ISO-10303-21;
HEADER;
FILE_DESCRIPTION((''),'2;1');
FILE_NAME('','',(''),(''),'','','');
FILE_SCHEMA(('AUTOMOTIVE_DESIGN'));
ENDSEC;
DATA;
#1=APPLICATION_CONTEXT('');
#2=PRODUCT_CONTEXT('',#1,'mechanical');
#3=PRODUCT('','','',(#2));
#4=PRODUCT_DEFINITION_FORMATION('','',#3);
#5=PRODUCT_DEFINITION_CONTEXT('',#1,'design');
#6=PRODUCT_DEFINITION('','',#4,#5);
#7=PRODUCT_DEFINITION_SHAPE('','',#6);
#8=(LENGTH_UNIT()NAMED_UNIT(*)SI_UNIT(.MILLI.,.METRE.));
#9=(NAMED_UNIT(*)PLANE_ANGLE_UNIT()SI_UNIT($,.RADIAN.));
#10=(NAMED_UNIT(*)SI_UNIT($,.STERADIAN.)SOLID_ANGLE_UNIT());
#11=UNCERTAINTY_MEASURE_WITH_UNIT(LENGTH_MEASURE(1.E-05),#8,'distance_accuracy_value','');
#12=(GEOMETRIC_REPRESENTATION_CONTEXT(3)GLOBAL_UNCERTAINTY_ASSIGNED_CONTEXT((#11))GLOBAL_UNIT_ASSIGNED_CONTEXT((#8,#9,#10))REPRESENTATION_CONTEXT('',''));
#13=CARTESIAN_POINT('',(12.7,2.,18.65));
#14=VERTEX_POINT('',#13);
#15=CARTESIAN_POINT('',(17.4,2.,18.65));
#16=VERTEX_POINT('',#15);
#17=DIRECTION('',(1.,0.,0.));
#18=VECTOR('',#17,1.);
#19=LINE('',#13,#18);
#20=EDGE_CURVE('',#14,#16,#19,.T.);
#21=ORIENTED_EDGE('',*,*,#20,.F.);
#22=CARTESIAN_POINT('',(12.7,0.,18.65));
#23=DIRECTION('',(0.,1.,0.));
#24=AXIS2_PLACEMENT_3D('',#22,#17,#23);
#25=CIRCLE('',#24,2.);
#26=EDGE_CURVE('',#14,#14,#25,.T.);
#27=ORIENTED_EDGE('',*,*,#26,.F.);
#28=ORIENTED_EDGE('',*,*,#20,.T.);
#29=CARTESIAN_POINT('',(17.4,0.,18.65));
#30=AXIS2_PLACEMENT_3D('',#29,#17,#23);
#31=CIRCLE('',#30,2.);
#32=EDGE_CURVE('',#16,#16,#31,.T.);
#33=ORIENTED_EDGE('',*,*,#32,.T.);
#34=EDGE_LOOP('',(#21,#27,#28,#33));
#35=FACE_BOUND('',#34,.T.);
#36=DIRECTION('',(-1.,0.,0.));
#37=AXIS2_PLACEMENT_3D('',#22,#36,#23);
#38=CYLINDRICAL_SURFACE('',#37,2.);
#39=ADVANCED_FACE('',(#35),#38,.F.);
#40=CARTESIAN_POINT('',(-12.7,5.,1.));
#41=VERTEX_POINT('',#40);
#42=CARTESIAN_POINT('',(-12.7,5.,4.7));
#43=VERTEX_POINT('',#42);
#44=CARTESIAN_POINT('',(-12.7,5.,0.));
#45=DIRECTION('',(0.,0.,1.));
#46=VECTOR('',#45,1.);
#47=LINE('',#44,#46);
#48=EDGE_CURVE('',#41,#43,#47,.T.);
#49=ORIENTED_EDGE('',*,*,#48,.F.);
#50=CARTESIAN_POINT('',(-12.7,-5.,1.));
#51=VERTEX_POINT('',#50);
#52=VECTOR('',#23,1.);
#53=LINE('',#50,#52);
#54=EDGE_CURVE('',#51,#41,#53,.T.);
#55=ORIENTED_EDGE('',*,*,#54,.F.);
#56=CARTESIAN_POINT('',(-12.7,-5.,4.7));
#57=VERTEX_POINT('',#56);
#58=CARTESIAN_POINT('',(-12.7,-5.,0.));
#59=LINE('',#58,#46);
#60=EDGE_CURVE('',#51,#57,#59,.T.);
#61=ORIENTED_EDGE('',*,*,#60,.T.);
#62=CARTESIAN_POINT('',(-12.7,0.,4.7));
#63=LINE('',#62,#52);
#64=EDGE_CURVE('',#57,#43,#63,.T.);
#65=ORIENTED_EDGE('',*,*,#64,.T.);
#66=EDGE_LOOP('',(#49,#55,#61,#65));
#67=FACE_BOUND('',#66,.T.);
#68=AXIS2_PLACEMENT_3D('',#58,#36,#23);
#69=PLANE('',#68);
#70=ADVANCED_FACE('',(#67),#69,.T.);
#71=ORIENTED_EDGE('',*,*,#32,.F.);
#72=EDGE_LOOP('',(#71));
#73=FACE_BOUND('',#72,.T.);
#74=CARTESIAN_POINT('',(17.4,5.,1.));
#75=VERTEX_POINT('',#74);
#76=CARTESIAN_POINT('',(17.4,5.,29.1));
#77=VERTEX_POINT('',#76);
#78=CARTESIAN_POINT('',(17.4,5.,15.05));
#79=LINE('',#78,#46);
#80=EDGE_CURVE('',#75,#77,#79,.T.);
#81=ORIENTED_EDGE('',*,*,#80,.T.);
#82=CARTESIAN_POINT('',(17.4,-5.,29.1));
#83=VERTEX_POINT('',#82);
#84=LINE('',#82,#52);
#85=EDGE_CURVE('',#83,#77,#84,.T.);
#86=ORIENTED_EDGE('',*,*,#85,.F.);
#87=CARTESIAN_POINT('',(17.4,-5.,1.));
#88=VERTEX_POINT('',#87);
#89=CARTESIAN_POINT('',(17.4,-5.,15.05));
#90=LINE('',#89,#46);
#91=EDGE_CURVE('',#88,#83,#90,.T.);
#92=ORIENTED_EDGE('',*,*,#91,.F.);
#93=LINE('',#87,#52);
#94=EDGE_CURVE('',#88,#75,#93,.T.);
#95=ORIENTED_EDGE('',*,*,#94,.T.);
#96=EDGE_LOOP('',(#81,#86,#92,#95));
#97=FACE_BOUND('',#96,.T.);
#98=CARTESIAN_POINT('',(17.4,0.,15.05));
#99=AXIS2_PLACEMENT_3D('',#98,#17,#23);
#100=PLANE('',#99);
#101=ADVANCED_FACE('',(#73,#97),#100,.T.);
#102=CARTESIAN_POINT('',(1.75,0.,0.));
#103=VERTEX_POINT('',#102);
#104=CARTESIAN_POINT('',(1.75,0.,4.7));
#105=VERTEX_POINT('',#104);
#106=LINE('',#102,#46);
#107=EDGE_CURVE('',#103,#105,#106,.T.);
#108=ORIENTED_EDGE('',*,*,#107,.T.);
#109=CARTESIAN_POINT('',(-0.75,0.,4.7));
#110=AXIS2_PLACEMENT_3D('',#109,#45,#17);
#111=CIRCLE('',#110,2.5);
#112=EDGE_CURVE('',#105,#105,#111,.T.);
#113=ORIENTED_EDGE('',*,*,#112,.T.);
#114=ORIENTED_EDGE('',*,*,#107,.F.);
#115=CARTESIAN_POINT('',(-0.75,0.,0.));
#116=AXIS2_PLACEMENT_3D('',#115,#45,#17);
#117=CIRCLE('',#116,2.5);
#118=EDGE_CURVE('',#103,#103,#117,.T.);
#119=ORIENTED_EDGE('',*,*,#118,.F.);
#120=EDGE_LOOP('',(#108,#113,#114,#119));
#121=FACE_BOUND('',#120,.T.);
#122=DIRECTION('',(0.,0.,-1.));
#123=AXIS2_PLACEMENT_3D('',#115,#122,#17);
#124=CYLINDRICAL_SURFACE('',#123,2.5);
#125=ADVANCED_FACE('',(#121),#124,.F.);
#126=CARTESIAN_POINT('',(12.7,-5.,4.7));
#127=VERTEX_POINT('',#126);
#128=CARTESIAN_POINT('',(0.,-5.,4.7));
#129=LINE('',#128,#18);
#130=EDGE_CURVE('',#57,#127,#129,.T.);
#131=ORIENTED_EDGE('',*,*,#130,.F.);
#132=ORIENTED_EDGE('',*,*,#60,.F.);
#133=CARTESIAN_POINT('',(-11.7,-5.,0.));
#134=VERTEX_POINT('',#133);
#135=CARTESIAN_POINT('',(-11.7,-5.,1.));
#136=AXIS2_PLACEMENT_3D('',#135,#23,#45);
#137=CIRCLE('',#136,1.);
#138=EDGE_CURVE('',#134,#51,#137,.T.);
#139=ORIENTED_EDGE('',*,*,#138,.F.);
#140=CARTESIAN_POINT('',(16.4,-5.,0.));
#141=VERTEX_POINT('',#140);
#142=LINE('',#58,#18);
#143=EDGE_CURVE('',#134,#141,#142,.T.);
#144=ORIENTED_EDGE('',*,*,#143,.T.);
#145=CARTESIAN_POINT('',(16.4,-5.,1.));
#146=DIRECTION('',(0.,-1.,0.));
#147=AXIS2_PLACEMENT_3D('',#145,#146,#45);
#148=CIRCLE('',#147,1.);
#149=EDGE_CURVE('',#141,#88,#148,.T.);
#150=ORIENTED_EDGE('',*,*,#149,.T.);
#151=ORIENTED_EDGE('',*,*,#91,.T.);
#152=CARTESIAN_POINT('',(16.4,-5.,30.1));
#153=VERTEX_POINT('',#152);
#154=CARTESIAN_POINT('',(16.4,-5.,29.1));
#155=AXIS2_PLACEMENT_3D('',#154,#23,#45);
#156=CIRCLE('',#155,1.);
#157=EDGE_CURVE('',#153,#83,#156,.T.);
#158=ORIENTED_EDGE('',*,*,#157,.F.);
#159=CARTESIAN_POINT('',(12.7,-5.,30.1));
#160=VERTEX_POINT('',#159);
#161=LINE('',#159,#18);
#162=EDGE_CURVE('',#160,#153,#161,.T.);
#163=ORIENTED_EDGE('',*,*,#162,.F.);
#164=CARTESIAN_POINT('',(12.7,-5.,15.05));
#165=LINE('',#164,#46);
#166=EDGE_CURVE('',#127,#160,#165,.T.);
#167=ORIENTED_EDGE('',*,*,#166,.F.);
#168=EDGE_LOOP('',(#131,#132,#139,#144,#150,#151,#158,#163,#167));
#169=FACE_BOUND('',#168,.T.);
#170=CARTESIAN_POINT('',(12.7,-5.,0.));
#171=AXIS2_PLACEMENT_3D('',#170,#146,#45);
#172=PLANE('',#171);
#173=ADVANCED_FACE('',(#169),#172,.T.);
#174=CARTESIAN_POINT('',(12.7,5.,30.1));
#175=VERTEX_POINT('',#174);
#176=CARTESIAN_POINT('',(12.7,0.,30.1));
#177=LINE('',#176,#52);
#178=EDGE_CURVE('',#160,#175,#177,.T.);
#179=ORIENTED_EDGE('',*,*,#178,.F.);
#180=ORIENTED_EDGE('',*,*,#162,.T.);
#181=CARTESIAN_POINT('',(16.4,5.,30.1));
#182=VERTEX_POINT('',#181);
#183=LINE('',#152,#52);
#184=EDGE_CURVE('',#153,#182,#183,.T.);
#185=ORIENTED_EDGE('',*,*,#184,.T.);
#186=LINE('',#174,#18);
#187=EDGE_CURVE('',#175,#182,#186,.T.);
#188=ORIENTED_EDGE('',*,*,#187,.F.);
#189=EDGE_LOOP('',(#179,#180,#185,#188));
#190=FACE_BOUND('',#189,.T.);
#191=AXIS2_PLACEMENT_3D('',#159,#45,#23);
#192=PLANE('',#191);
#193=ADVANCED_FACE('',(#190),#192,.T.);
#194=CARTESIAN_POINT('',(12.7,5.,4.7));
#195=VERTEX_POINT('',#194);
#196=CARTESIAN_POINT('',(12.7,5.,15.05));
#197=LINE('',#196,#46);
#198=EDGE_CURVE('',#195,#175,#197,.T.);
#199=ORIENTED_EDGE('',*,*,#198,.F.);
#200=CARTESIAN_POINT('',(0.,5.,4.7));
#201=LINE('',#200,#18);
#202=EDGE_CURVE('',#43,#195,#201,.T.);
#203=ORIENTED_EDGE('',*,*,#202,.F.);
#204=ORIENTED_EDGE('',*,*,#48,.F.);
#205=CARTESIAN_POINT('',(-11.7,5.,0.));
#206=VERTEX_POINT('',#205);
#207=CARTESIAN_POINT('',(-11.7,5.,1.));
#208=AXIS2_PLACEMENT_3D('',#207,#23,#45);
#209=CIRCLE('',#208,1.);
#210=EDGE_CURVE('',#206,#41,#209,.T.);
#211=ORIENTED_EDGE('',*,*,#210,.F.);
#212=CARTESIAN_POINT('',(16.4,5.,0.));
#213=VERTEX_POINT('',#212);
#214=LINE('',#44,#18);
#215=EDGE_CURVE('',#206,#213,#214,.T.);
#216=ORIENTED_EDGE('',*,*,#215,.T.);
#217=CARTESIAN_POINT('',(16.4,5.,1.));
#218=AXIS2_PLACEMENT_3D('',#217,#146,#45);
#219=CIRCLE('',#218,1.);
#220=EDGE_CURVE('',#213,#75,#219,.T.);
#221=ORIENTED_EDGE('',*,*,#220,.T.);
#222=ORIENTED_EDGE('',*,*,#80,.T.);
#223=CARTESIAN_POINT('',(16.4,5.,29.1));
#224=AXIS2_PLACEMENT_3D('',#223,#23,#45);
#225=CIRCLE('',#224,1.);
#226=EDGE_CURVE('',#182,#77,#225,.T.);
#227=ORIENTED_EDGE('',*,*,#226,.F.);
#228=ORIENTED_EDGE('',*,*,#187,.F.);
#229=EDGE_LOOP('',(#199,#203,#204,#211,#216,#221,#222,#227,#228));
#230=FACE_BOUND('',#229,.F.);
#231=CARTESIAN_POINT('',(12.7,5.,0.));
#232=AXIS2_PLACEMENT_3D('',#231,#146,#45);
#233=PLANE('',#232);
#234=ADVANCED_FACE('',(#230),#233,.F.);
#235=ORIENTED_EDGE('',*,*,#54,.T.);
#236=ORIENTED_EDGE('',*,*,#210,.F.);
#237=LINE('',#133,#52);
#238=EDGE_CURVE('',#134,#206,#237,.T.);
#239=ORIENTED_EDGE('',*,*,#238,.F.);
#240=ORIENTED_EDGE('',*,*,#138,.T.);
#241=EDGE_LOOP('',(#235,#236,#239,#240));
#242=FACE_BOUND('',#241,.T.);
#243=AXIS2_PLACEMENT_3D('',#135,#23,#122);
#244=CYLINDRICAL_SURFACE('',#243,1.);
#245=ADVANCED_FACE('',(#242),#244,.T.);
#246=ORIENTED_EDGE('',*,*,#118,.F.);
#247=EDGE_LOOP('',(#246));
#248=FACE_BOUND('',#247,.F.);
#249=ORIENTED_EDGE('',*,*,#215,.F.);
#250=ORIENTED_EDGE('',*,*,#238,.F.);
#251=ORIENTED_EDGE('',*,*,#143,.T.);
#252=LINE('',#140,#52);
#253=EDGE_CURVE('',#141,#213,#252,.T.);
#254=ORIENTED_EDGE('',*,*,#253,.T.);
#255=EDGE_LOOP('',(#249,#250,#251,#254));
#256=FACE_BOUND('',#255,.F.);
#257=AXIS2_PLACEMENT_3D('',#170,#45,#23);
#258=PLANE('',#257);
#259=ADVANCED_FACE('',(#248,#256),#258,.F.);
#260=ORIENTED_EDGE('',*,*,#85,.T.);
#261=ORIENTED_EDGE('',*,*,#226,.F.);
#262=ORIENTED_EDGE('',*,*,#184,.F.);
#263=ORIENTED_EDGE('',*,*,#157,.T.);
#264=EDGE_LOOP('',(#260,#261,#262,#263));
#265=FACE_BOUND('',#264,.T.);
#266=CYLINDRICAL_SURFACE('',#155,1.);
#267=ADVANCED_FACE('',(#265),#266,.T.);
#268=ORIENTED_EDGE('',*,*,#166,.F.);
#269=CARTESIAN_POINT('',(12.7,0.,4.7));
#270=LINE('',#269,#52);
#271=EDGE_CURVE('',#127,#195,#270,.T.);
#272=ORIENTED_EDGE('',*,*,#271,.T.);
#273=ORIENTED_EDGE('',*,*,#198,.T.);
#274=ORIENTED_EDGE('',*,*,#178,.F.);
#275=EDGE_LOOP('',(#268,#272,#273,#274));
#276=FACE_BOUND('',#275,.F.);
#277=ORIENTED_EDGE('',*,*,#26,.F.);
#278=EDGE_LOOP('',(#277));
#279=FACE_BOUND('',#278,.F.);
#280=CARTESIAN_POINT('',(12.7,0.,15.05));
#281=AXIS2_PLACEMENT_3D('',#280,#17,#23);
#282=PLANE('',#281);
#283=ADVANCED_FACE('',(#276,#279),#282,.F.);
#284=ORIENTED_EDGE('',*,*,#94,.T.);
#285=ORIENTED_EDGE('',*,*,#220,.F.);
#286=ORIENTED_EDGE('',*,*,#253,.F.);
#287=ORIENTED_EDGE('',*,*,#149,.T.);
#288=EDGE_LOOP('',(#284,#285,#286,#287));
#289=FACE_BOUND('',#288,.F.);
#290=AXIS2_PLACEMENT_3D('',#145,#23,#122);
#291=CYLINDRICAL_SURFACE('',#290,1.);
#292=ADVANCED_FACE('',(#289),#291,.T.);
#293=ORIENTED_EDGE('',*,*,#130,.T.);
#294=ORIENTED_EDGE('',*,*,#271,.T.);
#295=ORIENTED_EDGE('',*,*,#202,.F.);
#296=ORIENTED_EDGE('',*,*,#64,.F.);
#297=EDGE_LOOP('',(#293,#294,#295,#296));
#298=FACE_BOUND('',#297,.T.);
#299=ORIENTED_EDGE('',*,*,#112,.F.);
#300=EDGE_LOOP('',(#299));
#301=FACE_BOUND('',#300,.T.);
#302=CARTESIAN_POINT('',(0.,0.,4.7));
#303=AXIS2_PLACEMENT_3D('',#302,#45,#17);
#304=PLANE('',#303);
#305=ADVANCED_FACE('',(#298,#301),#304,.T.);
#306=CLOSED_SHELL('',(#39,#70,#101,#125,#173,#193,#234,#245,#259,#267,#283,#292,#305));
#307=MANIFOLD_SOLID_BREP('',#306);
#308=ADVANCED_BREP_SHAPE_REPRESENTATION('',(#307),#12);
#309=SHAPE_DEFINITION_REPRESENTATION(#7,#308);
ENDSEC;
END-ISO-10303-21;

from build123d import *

# Parameters (mm, degrees)
F0_W     = 25.4
F0_H     = 10
F0_R     = 2.5
F1_DEPTH = 4.7
F2_W     = 10
F2_H     = 30.1
F2_R     = 2
F3_DEPTH = 4.7
F4_R     = 1


with BuildPart() as f1:
    # F0 (on Top) → F1 (new body)
    with BuildSketch(Plane.XY):
        Rectangle(F0_W, F0_H)
        with Locations((-0.75, 0)):
            Circle(F0_R, mode=Mode.SUBTRACT)
    extrude(amount=F1_DEPTH)

    # F2 (on face) → F3 (join)
    with BuildSketch(Plane.YZ.offset(12.7)):
        with Locations((0, 15.05)):
            Rectangle(F2_W, F2_H)
        with Locations((0, 18.65)):
            Circle(F2_R, mode=Mode.SUBTRACT)
    extrude(amount=F3_DEPTH)

    # F4
    f4_edges = [f1.edges().sort_by_distance(p)[0] for p in [
        (17.4, 0, 30.1),
        (17.4, 0, 0),
        (-12.7, 0, 0),
    ]]
    fillet(f4_edges, radius=F4_R)


solid = f1.part
